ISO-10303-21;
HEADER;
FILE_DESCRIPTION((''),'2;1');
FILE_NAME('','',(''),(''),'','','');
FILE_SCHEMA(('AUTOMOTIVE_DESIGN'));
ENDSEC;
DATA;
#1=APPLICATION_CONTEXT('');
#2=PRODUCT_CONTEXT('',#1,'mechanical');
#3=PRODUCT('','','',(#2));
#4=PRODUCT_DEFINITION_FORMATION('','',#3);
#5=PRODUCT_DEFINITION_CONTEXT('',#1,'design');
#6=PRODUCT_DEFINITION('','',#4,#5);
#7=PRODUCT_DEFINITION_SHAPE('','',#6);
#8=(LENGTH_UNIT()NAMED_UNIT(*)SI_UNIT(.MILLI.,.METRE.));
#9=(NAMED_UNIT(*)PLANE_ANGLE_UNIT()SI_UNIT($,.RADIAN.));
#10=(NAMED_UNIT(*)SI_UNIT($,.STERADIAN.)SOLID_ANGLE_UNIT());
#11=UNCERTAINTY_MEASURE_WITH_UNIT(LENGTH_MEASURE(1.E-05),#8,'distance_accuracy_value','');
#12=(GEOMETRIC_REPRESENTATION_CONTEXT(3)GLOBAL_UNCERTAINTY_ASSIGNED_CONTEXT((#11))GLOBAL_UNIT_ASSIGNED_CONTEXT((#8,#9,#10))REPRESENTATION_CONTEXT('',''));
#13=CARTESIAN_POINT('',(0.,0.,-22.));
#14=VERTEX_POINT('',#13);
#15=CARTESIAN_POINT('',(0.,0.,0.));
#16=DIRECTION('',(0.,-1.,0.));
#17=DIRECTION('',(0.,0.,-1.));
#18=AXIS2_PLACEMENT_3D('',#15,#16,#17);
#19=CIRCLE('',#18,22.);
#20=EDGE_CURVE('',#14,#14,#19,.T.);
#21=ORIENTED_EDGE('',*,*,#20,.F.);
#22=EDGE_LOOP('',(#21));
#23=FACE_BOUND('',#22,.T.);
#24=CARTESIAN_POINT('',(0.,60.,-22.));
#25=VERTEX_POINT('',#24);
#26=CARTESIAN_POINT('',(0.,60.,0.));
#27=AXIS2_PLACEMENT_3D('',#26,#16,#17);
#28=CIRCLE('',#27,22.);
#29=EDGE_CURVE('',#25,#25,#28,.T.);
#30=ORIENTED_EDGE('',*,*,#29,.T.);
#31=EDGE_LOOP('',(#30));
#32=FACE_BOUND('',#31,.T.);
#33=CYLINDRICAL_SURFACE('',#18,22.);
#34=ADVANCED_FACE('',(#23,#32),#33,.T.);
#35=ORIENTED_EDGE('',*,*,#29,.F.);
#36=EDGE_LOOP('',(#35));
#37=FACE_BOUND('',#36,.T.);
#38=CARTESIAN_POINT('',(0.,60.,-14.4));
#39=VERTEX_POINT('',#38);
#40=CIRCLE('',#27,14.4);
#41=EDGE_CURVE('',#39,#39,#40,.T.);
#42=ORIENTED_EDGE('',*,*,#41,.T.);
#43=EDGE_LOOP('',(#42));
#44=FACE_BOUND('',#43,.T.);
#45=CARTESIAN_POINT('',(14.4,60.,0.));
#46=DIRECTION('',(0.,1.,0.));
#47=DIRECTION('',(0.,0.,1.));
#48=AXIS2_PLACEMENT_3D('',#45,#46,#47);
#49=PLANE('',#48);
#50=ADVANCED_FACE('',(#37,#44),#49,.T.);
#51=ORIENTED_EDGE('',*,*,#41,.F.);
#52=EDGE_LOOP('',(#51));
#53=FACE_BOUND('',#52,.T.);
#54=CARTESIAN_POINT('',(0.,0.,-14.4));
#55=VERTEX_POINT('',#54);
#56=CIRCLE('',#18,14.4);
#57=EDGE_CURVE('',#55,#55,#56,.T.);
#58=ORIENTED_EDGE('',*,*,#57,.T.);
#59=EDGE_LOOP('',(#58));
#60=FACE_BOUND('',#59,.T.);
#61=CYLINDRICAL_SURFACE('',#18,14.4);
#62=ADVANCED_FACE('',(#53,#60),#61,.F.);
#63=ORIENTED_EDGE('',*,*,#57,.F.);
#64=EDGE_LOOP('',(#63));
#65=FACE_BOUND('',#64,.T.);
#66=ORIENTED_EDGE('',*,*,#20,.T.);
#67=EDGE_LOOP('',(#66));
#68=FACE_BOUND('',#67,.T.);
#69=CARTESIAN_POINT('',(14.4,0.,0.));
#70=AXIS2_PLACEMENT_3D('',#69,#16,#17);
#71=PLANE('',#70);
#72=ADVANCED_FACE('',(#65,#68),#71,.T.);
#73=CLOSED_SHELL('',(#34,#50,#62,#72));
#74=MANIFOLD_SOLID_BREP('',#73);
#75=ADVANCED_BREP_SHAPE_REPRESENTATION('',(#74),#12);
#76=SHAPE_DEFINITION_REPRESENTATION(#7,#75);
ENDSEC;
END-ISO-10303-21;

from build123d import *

# Parameters (mm, degrees)
SKETCH1_W = 7.6
SKETCH1_H = 60


with BuildPart() as part:
    # Sketch1 → Revolve1 (revolve)
    with BuildSketch(Plane.XY, mode=Mode.PRIVATE) as revolve1_sk:
        with Locations((18.2, 30)):
            Rectangle(SKETCH1_W, SKETCH1_H)
    revolve(revolve1_sk.sketch.rotate(Axis((0, 0, 0), (0, 1, 0)), 90), axis=Axis((0, 0, 0), (0, 1, 0)))


solid = part.part
